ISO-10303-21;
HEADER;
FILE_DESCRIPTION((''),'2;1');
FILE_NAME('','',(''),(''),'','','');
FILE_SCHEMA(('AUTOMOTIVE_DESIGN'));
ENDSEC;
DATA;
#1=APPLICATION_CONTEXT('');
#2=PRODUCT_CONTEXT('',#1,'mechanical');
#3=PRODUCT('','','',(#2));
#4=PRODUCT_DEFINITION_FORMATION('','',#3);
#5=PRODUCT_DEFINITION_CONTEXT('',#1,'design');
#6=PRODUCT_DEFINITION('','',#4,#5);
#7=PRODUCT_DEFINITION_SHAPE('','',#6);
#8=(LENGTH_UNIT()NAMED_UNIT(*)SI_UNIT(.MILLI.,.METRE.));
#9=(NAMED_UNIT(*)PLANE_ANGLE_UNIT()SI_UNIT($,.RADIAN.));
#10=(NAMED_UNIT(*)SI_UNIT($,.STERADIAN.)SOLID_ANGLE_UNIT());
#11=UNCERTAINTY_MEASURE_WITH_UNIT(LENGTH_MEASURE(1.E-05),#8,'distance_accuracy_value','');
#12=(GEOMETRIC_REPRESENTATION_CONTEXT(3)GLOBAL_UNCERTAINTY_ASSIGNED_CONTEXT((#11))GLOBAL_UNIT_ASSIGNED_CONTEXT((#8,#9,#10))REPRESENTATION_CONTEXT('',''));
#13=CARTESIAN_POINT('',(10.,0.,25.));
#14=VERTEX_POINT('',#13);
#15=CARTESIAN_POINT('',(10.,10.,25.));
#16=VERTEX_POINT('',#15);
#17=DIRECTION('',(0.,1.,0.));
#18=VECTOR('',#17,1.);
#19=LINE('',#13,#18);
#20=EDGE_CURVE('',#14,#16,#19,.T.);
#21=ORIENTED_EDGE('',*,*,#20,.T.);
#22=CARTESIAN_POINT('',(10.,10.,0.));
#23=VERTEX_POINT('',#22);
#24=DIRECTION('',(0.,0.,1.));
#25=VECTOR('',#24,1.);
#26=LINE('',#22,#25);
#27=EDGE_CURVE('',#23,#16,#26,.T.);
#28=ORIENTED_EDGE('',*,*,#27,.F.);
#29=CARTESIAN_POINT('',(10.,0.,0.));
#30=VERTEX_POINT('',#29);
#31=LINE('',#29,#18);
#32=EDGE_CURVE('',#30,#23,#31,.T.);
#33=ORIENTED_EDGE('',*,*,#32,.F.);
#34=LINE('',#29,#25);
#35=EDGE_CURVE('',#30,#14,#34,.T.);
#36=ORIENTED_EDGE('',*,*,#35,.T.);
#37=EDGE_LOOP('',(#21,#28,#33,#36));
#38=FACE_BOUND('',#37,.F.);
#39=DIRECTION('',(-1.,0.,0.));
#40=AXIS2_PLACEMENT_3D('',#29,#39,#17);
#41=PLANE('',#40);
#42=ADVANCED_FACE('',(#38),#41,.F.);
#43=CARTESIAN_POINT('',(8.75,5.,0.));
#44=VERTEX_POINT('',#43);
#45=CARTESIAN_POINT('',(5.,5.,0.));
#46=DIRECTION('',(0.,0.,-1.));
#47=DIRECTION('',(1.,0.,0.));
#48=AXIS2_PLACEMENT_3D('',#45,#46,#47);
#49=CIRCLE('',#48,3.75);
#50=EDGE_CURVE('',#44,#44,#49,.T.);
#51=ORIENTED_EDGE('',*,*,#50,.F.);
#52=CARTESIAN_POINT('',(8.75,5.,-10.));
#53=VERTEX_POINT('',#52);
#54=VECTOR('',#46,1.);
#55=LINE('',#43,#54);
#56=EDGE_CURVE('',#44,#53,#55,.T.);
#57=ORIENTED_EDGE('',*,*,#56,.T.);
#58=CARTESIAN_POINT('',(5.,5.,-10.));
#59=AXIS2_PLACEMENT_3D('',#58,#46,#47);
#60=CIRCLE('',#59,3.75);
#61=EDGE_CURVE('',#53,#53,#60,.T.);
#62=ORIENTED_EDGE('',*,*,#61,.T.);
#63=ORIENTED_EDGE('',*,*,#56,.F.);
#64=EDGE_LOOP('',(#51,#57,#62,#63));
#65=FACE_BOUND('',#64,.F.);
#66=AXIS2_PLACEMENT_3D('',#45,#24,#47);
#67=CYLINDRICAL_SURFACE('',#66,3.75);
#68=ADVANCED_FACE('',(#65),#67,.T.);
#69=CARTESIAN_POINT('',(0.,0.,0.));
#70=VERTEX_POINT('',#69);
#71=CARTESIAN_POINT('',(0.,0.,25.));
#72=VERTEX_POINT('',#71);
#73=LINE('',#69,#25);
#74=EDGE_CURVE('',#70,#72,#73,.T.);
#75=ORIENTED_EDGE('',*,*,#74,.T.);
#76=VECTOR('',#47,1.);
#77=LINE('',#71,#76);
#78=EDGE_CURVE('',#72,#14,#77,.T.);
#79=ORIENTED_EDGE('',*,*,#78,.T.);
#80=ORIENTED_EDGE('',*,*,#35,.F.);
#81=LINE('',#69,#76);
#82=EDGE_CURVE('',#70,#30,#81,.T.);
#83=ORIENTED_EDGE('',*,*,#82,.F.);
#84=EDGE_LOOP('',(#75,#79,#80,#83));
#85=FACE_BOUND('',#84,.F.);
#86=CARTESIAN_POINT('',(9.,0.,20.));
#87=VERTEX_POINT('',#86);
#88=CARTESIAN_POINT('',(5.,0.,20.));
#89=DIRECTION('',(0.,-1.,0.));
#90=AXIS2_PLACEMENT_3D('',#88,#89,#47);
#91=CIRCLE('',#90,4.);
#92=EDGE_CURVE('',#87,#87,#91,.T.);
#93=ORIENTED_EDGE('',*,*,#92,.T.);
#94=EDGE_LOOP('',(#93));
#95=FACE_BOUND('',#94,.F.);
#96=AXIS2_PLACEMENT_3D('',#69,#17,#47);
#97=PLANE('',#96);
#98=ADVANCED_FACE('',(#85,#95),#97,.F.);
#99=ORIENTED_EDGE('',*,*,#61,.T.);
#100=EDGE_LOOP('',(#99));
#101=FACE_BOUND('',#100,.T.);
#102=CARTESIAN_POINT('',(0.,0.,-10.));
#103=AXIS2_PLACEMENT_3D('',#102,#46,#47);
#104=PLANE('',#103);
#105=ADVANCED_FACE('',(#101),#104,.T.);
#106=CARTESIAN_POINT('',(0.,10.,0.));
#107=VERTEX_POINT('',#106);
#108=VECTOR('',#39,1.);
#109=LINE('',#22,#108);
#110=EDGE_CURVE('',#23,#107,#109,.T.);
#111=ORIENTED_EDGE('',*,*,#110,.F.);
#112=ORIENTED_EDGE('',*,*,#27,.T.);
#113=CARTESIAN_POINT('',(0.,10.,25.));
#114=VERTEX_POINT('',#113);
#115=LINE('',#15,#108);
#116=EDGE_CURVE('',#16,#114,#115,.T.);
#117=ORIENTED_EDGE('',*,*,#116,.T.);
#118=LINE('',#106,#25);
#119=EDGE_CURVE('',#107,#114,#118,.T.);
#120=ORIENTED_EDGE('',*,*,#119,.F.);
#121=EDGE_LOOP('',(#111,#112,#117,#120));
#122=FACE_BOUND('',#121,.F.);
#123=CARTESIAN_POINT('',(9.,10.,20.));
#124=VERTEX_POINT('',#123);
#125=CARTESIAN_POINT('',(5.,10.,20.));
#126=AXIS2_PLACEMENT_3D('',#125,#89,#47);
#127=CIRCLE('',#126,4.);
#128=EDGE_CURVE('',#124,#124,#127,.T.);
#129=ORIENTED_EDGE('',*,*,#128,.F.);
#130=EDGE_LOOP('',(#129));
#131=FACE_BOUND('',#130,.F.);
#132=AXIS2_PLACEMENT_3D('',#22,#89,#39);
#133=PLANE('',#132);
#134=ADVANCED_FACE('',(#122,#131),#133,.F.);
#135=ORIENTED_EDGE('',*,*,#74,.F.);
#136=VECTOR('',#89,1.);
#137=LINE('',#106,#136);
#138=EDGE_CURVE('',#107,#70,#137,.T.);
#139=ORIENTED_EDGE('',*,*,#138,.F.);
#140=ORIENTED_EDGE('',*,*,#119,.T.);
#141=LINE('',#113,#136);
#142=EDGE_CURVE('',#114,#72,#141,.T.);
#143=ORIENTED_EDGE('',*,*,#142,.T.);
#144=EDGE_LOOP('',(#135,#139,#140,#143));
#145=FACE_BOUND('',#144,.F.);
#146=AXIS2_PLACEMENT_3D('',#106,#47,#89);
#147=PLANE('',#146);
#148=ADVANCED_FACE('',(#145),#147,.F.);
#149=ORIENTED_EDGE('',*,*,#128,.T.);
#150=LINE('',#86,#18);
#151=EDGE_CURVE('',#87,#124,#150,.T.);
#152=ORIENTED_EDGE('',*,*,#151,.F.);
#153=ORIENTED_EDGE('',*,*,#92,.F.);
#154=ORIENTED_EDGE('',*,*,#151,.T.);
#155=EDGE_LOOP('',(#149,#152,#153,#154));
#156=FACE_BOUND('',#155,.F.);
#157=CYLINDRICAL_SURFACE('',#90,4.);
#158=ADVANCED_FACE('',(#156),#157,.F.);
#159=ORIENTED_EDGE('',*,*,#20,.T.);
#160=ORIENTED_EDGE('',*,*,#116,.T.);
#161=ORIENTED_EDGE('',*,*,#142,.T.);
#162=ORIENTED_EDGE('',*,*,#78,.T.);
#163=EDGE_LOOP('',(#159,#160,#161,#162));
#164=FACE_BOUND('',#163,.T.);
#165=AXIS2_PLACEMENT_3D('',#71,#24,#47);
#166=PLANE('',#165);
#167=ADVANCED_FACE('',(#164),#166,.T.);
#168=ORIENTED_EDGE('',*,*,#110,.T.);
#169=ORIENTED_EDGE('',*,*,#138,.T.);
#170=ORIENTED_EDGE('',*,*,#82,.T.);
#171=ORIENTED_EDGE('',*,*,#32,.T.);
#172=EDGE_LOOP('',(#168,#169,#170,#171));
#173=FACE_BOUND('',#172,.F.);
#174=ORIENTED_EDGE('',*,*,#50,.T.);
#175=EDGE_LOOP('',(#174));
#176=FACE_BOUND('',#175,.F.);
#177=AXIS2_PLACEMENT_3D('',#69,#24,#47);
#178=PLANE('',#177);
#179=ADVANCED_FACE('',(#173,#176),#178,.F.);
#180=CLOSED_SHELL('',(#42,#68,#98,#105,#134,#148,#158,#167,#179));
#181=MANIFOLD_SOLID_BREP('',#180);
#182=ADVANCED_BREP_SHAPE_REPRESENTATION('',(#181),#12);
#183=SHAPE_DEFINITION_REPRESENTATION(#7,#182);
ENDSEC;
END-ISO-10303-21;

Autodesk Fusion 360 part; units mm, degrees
sketch "Sketch1" plane through (0, 0, 0) normal (0, 0, 1) x (1, 0, 0)
  line L0 (0, 0) -> (10, 0)
  line L1 (10, 0) -> (10, 10)
  line L2 (10, 10) -> (0, 10)
  line L3 (0, 10) -> (0, 0)
  dimension "d1" = 10
  dimension "d2" = 10
extrude "Extrude1" add sketch "Sketch1" along normal blind 25
sketch "Sketch2" plane through (0, 0, 0) normal (0, -1, 0) x (1, 0, 0)
  line L0 (0, 0) -> (10, 0)
  line L1 (10, 0) -> (10, 25)
  line L2 (10, 25) -> (0, 25)
  line L3 (0, 25) -> (0, 0)
  circle A0 centre (5, 20) radius 4
  dimension "d5" = 8
extrude "Extrude2" cut sketch "Sketch2" against normal blind 10 contours A0
sketch "Sketch3" plane through (0, 0, 0) normal (0, 0, -1) x (1, 0, 0)
  line L0 (0, 0) -> (0, -10)
  line L1 (0, -10) -> (10, -10)
  line L2 (10, -10) -> (10, 0)
  line L3 (10, 0) -> (0, 0)
  circle A0 centre (5, -5) radius 3.75
  dimension "d8" = 7.5
extrude "Extrude3" add sketch "Sketch3" along normal blind 10 contours A0
